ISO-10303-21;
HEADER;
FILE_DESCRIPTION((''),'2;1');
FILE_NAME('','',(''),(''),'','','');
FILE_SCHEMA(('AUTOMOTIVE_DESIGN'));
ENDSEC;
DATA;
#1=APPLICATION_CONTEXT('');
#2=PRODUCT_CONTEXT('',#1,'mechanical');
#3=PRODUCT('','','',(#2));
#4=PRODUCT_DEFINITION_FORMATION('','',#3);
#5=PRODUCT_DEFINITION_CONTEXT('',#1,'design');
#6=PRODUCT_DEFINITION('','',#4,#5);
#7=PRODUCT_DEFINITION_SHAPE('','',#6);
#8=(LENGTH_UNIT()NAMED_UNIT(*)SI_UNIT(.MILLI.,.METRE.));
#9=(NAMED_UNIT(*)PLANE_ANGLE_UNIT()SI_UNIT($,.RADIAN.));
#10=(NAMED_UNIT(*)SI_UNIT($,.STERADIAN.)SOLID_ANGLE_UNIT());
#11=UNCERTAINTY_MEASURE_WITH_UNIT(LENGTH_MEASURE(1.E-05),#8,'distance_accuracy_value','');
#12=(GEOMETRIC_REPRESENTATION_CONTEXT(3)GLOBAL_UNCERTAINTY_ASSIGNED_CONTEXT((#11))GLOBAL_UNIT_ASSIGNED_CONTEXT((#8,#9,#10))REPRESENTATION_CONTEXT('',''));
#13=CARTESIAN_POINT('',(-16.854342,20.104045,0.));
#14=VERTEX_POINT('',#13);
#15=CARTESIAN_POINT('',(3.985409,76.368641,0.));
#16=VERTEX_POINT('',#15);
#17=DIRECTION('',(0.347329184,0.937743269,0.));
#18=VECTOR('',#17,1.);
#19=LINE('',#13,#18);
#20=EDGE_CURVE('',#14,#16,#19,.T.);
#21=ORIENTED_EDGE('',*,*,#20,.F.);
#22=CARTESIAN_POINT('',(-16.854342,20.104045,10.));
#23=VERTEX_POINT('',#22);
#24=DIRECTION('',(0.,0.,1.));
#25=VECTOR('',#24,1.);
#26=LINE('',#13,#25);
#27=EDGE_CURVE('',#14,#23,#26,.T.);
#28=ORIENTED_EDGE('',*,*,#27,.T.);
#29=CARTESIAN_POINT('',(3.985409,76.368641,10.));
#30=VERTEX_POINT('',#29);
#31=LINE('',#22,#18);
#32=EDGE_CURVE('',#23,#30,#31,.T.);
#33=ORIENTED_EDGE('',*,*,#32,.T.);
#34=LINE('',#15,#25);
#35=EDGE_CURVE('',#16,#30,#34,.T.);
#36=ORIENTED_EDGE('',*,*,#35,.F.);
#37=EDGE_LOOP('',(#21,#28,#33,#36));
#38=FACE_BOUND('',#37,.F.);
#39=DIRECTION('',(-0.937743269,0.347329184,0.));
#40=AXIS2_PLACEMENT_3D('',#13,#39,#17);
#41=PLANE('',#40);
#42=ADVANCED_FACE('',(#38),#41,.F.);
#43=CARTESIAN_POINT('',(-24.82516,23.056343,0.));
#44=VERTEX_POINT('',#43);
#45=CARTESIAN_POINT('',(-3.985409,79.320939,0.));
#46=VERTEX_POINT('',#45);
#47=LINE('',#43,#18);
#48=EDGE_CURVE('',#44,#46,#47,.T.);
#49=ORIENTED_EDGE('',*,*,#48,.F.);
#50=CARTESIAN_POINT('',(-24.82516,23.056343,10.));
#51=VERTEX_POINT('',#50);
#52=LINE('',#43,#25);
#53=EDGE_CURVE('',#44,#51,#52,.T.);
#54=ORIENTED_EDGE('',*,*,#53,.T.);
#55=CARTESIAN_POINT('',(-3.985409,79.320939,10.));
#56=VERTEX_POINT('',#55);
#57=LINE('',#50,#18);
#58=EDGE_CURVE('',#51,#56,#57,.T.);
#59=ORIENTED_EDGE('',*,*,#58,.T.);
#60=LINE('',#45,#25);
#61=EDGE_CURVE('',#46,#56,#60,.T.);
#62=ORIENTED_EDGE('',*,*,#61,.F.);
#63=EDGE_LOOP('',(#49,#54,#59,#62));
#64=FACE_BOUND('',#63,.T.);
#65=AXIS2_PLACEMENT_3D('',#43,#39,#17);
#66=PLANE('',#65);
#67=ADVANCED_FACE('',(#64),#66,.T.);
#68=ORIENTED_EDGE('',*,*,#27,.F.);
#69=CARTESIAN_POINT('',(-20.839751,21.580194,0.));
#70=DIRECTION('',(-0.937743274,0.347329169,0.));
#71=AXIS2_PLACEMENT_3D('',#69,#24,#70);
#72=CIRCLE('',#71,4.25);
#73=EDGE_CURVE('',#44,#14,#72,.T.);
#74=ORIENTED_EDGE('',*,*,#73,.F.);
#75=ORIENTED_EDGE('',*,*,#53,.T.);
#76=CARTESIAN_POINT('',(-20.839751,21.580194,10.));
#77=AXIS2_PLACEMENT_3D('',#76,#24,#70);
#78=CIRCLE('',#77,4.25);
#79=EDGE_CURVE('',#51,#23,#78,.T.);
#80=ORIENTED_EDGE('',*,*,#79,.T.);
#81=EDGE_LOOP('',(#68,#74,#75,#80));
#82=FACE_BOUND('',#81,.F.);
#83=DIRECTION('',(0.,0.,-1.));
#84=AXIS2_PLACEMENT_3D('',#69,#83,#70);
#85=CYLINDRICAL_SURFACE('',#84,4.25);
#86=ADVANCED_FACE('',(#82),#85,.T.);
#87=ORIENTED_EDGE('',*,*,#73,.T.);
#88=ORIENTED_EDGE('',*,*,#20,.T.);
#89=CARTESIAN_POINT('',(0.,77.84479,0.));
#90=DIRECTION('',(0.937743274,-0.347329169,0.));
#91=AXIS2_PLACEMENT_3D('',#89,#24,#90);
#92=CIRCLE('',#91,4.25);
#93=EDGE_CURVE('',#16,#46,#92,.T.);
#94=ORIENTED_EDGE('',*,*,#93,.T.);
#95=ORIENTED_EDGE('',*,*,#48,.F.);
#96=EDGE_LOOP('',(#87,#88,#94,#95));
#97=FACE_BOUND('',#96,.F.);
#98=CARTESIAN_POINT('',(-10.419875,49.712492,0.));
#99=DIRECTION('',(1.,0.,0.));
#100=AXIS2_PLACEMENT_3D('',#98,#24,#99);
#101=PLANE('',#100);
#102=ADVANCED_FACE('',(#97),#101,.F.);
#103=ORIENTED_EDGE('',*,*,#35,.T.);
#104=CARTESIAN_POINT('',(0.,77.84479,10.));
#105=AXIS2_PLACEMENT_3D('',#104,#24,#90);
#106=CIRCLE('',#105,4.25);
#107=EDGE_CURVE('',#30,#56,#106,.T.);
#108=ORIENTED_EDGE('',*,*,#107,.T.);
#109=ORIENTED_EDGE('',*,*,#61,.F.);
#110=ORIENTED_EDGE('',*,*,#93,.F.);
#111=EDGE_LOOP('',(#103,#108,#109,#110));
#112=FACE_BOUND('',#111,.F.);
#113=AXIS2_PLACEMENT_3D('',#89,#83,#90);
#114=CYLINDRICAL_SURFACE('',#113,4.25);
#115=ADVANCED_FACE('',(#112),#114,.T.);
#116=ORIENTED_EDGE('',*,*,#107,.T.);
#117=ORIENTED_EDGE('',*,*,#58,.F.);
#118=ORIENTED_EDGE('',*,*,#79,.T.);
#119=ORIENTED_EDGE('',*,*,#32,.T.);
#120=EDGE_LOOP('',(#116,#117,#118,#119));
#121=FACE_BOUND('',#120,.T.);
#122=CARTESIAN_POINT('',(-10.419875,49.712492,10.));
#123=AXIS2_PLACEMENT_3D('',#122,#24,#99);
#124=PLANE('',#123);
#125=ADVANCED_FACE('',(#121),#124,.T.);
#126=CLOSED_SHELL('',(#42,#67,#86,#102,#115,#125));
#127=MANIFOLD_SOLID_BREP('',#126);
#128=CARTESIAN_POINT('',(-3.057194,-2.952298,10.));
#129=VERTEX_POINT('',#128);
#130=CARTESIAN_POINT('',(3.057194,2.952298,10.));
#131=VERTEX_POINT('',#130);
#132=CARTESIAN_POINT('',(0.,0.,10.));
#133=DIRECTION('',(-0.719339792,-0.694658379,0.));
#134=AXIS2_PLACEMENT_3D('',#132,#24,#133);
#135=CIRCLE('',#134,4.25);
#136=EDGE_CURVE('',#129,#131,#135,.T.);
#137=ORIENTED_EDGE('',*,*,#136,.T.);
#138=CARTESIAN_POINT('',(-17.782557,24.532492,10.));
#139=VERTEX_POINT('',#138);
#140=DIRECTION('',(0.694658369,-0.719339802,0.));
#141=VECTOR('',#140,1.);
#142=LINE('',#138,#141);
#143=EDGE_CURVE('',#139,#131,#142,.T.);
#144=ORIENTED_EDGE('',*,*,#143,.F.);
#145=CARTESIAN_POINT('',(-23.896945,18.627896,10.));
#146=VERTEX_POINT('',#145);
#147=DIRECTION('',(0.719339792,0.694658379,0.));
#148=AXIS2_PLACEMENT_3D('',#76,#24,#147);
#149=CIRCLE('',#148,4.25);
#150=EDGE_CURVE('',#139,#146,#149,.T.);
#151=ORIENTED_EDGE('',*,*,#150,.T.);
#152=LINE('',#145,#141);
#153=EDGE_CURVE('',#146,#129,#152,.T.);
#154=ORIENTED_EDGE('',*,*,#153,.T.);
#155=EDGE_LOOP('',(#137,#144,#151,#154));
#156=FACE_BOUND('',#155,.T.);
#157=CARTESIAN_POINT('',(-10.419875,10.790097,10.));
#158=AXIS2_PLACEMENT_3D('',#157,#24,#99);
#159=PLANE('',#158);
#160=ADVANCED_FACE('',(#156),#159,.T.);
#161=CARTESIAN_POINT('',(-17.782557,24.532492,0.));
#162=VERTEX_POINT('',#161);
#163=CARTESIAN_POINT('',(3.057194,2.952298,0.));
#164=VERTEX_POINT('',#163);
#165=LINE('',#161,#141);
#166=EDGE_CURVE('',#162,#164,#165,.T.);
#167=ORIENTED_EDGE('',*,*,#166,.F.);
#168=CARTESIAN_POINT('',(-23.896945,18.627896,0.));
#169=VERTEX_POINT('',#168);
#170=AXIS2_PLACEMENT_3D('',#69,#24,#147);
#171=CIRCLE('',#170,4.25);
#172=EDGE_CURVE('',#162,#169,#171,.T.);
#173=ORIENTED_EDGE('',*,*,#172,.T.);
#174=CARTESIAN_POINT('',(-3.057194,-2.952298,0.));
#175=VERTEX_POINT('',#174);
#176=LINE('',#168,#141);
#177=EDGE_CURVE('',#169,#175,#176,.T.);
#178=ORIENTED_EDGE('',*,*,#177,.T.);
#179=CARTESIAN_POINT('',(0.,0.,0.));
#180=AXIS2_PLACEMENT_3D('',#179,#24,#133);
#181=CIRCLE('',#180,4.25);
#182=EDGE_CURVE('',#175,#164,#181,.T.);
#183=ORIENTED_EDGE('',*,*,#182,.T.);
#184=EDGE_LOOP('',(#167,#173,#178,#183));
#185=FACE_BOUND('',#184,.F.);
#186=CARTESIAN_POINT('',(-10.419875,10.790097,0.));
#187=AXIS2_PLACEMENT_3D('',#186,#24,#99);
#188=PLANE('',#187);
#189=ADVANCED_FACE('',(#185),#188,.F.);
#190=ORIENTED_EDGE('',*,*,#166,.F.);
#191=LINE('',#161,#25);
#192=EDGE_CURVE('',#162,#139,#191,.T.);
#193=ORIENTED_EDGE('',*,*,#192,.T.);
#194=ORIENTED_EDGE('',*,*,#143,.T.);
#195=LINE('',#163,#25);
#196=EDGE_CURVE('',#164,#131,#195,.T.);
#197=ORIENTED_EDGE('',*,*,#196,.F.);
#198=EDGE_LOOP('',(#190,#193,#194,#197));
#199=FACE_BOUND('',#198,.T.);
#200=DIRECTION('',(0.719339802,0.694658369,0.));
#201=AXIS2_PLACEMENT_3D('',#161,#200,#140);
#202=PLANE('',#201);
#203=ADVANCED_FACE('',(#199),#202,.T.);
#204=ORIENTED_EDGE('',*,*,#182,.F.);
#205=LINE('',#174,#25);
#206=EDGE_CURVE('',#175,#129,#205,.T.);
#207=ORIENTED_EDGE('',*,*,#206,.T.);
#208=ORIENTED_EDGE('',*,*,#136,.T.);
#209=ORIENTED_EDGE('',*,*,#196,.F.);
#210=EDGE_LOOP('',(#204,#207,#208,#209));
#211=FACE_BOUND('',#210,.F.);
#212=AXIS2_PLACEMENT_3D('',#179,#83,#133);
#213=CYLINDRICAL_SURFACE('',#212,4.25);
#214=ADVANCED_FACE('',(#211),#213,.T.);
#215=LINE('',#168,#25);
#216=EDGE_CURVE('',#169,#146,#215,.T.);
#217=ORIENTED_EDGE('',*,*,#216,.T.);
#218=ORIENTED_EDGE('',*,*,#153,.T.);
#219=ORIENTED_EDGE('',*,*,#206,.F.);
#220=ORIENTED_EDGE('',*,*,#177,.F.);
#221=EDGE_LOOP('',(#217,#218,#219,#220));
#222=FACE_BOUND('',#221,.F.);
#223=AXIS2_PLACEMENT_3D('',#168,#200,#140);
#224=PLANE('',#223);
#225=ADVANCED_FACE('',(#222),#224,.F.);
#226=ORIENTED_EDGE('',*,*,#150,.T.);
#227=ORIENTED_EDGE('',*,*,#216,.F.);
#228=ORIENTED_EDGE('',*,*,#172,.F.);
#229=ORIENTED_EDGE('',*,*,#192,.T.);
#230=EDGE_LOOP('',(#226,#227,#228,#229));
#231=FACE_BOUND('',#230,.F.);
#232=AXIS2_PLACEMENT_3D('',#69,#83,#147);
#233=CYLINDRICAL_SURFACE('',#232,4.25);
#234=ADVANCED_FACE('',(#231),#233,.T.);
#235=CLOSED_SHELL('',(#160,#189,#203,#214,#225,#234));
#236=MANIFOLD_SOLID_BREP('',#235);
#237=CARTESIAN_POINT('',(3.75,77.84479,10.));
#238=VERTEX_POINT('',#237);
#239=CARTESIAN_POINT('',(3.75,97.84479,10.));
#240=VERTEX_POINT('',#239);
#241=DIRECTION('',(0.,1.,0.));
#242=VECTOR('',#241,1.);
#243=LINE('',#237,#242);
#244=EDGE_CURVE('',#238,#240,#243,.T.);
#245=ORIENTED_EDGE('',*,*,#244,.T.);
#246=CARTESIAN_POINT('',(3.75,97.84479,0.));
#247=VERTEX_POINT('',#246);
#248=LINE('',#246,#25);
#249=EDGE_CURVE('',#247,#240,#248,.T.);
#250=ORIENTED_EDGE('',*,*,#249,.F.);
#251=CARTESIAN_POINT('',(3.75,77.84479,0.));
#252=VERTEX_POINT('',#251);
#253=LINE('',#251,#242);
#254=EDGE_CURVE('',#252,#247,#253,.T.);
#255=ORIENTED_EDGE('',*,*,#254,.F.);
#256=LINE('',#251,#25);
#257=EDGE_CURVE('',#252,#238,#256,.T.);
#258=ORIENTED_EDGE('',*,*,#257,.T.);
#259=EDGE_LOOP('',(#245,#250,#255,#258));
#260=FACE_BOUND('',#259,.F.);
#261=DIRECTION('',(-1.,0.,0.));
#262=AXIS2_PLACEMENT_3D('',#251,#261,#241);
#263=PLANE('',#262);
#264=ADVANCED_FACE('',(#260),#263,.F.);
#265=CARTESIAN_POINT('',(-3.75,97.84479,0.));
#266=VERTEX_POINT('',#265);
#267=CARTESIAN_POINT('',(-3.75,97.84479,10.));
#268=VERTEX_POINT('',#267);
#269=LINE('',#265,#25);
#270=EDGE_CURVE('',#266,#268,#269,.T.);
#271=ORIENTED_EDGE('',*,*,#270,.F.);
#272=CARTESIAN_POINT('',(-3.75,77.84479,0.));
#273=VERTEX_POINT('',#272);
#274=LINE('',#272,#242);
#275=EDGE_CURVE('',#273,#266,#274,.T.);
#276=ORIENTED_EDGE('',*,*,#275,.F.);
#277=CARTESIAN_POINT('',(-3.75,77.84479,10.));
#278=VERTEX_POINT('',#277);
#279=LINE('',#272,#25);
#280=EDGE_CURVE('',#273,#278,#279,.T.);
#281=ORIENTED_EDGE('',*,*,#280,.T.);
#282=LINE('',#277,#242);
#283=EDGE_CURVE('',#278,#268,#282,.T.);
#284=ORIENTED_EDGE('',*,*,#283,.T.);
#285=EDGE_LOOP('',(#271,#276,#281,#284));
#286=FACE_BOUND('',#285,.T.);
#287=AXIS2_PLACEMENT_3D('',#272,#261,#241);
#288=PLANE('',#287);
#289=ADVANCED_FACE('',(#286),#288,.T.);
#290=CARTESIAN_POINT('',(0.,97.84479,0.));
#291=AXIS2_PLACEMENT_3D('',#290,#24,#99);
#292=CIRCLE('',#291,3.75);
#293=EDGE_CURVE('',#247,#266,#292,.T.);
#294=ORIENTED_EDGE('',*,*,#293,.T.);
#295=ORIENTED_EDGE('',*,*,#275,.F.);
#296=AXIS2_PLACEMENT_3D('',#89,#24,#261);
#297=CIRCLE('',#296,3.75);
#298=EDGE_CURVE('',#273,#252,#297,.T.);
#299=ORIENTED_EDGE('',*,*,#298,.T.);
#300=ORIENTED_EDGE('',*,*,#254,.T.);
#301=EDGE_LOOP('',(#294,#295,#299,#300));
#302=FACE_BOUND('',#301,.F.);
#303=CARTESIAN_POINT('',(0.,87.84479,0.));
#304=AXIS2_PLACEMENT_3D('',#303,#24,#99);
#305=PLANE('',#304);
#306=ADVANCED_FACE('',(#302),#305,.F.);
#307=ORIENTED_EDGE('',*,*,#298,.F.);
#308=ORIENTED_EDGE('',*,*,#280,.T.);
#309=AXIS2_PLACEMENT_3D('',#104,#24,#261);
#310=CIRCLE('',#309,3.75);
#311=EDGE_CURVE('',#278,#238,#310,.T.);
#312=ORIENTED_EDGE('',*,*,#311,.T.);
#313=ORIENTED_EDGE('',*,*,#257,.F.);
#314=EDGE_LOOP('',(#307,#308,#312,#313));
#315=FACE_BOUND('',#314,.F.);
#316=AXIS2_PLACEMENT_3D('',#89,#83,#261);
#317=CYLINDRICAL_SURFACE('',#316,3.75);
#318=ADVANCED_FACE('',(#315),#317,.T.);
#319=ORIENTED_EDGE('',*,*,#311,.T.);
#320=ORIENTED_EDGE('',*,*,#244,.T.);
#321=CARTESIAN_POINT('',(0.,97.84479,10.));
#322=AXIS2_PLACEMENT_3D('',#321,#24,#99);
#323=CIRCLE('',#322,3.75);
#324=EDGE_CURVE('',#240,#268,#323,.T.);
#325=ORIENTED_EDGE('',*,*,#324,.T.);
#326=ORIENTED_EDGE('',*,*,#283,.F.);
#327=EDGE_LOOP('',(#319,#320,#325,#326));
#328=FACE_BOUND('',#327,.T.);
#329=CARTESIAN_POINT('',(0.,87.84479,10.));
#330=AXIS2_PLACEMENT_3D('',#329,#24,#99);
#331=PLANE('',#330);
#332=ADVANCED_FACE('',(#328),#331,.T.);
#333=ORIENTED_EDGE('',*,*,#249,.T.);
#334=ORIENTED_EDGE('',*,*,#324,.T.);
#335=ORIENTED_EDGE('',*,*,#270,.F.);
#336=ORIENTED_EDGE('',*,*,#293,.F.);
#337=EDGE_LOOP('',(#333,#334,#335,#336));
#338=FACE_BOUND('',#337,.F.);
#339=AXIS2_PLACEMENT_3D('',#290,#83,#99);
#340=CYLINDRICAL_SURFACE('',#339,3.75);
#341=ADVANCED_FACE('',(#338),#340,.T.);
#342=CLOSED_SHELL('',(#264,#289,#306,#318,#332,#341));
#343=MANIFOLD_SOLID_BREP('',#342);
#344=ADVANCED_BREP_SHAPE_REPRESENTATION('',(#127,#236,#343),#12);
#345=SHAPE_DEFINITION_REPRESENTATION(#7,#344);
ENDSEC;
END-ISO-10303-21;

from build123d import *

# Parameters (mm, degrees)
PAD_DEPTH    = 10
PAD001_DEPTH = 10
PAD002_DEPTH = 10


with BuildPart() as cam:
    # Sketch001 → Pad (new body)
    with BuildSketch(Plane.XY):
        with BuildLine():
            ThreePointArc((-17.782557, 24.532492), (-23.792049, 24.637388), (-23.896945, 18.627896))
            Line((-23.896945, 18.627896), (-3.057194, -2.952298))
            ThreePointArc((-3.057194, -2.952298), (2.952298, -3.057194), (3.057194, 2.952298))
            Line((-17.782557, 24.532492), (3.057194, 2.952298))
        make_face()
    extrude(amount=PAD_DEPTH)


with BuildPart() as rod:
    # Sketch002 → Pad001 (new body)
    with BuildSketch(Plane.XY):
        with BuildLine():
            ThreePointArc((-24.82516, 23.056343), (-22.3159, 17.594785), (-16.854342, 20.104045))
            Line((-16.854342, 20.104045), (3.985409, 76.368641))
            ThreePointArc((3.985409, 76.368641), (1.476149, 81.830199), (-3.985409, 79.320939))
            Line((-24.82516, 23.056343), (-3.985409, 79.320939))
        make_face()
    extrude(amount=PAD001_DEPTH)


with BuildPart() as link:
    # Sketch003 → Pad002 (new body)
    with BuildSketch(Plane.XY):
        with BuildLine():
            ThreePointArc((-3.75, 77.84479), (0, 74.09479), (3.75, 77.84479))
            Line((3.75, 77.84479), (3.75, 97.84479))
            ThreePointArc((3.75, 97.84479), (0, 101.59479), (-3.75, 97.84479))
            Line((-3.75, 77.84479), (-3.75, 97.84479))
        make_face()
    extrude(amount=PAD002_DEPTH)


solid = Compound([cam.part, rod.part, link.part])
